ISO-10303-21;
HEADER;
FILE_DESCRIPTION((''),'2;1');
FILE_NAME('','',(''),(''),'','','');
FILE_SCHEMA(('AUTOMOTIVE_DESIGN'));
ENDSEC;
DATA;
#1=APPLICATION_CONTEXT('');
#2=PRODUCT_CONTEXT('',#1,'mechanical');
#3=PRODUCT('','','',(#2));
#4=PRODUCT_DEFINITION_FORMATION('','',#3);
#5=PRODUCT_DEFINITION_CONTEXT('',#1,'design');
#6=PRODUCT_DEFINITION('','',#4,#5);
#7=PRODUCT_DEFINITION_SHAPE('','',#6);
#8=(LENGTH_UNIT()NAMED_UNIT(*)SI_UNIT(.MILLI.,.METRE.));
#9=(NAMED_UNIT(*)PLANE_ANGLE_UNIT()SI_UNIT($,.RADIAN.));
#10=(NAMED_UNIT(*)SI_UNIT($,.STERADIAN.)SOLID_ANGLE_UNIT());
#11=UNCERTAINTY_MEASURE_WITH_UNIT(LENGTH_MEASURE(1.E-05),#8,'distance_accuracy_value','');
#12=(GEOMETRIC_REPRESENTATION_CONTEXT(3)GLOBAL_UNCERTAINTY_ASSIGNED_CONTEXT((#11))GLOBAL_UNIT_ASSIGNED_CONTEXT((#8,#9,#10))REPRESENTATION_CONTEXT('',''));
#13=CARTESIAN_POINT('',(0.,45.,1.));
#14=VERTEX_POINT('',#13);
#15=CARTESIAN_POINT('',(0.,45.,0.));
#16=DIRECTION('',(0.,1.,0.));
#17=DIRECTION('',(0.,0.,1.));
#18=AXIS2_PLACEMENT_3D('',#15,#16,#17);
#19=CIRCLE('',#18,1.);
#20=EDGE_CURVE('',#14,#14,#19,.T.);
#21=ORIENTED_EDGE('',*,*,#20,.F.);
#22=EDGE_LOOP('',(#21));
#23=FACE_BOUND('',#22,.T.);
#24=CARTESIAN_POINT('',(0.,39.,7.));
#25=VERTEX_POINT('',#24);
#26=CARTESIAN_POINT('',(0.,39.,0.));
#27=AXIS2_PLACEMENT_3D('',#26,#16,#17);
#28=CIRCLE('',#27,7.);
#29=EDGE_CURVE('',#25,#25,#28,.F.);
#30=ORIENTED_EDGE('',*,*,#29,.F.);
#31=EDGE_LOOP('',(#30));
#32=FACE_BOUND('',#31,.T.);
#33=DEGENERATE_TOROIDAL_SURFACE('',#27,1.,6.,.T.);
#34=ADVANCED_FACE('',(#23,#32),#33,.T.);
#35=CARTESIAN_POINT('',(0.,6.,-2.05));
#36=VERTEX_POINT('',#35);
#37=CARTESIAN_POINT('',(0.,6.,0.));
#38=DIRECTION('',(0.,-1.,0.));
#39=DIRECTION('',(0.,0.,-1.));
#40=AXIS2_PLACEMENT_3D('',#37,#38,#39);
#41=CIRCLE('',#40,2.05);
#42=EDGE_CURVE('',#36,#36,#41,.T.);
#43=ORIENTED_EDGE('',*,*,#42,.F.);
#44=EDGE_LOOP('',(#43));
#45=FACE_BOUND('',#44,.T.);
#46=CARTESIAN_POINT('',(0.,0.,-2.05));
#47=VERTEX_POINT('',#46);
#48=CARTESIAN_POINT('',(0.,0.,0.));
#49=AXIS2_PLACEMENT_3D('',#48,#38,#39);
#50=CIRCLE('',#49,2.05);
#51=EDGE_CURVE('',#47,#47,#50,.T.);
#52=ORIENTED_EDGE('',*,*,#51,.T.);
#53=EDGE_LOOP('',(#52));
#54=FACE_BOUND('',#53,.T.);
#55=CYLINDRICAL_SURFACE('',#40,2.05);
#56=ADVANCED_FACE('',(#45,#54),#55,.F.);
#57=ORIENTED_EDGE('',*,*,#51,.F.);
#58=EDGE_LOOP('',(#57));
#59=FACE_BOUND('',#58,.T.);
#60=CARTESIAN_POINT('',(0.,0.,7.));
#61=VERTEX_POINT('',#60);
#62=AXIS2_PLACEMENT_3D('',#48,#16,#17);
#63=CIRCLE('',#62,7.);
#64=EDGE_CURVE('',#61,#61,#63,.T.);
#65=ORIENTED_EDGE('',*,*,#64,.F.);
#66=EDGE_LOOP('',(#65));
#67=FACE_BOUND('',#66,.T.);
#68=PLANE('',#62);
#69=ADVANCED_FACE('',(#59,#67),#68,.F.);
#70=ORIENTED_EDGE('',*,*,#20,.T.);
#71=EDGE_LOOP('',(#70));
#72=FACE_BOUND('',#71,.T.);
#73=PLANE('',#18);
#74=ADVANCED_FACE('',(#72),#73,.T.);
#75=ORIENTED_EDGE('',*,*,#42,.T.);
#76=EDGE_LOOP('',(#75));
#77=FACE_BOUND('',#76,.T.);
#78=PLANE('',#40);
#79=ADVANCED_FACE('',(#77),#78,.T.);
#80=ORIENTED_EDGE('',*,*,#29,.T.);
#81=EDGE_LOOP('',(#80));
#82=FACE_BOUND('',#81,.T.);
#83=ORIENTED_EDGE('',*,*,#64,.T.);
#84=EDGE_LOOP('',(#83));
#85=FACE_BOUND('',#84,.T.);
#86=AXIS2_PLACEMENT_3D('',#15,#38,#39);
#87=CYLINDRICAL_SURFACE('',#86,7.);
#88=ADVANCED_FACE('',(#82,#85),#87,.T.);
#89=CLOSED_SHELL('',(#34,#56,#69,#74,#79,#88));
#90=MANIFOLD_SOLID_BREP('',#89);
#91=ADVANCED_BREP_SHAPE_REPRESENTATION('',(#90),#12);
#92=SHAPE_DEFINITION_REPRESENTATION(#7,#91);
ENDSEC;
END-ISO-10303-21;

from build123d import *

# Parameters (mm, degrees)
SKETCH1_R           = 7
BOSS_EXTRUDE1_DEPTH = 45
FILLET1_R           = 6
SKETCH2_R           = 2.05
CUT_EXTRUDE1_DEPTH  = 6


with BuildPart() as part:
    # Sketch1 → Boss-Extrude1 (new body)
    with BuildSketch(Plane(origin=(0, 0, 0), x_dir=(1, 0, 0), z_dir=(0, 1, 0))):
        Circle(SKETCH1_R)
    extrude(amount=BOSS_EXTRUDE1_DEPTH)

    # Fillet1
    fillet1_edges = [part.edges().sort_by_distance(p)[0] for p in [
        (-7, 45, 0),
    ]]
    fillet(fillet1_edges, radius=FILLET1_R)

    # Sketch2 → Cut-Extrude1 (cut)
    with BuildSketch(Plane.XZ):
        Circle(SKETCH2_R)
    extrude(amount=-CUT_EXTRUDE1_DEPTH, mode=Mode.SUBTRACT)


solid = part.part
